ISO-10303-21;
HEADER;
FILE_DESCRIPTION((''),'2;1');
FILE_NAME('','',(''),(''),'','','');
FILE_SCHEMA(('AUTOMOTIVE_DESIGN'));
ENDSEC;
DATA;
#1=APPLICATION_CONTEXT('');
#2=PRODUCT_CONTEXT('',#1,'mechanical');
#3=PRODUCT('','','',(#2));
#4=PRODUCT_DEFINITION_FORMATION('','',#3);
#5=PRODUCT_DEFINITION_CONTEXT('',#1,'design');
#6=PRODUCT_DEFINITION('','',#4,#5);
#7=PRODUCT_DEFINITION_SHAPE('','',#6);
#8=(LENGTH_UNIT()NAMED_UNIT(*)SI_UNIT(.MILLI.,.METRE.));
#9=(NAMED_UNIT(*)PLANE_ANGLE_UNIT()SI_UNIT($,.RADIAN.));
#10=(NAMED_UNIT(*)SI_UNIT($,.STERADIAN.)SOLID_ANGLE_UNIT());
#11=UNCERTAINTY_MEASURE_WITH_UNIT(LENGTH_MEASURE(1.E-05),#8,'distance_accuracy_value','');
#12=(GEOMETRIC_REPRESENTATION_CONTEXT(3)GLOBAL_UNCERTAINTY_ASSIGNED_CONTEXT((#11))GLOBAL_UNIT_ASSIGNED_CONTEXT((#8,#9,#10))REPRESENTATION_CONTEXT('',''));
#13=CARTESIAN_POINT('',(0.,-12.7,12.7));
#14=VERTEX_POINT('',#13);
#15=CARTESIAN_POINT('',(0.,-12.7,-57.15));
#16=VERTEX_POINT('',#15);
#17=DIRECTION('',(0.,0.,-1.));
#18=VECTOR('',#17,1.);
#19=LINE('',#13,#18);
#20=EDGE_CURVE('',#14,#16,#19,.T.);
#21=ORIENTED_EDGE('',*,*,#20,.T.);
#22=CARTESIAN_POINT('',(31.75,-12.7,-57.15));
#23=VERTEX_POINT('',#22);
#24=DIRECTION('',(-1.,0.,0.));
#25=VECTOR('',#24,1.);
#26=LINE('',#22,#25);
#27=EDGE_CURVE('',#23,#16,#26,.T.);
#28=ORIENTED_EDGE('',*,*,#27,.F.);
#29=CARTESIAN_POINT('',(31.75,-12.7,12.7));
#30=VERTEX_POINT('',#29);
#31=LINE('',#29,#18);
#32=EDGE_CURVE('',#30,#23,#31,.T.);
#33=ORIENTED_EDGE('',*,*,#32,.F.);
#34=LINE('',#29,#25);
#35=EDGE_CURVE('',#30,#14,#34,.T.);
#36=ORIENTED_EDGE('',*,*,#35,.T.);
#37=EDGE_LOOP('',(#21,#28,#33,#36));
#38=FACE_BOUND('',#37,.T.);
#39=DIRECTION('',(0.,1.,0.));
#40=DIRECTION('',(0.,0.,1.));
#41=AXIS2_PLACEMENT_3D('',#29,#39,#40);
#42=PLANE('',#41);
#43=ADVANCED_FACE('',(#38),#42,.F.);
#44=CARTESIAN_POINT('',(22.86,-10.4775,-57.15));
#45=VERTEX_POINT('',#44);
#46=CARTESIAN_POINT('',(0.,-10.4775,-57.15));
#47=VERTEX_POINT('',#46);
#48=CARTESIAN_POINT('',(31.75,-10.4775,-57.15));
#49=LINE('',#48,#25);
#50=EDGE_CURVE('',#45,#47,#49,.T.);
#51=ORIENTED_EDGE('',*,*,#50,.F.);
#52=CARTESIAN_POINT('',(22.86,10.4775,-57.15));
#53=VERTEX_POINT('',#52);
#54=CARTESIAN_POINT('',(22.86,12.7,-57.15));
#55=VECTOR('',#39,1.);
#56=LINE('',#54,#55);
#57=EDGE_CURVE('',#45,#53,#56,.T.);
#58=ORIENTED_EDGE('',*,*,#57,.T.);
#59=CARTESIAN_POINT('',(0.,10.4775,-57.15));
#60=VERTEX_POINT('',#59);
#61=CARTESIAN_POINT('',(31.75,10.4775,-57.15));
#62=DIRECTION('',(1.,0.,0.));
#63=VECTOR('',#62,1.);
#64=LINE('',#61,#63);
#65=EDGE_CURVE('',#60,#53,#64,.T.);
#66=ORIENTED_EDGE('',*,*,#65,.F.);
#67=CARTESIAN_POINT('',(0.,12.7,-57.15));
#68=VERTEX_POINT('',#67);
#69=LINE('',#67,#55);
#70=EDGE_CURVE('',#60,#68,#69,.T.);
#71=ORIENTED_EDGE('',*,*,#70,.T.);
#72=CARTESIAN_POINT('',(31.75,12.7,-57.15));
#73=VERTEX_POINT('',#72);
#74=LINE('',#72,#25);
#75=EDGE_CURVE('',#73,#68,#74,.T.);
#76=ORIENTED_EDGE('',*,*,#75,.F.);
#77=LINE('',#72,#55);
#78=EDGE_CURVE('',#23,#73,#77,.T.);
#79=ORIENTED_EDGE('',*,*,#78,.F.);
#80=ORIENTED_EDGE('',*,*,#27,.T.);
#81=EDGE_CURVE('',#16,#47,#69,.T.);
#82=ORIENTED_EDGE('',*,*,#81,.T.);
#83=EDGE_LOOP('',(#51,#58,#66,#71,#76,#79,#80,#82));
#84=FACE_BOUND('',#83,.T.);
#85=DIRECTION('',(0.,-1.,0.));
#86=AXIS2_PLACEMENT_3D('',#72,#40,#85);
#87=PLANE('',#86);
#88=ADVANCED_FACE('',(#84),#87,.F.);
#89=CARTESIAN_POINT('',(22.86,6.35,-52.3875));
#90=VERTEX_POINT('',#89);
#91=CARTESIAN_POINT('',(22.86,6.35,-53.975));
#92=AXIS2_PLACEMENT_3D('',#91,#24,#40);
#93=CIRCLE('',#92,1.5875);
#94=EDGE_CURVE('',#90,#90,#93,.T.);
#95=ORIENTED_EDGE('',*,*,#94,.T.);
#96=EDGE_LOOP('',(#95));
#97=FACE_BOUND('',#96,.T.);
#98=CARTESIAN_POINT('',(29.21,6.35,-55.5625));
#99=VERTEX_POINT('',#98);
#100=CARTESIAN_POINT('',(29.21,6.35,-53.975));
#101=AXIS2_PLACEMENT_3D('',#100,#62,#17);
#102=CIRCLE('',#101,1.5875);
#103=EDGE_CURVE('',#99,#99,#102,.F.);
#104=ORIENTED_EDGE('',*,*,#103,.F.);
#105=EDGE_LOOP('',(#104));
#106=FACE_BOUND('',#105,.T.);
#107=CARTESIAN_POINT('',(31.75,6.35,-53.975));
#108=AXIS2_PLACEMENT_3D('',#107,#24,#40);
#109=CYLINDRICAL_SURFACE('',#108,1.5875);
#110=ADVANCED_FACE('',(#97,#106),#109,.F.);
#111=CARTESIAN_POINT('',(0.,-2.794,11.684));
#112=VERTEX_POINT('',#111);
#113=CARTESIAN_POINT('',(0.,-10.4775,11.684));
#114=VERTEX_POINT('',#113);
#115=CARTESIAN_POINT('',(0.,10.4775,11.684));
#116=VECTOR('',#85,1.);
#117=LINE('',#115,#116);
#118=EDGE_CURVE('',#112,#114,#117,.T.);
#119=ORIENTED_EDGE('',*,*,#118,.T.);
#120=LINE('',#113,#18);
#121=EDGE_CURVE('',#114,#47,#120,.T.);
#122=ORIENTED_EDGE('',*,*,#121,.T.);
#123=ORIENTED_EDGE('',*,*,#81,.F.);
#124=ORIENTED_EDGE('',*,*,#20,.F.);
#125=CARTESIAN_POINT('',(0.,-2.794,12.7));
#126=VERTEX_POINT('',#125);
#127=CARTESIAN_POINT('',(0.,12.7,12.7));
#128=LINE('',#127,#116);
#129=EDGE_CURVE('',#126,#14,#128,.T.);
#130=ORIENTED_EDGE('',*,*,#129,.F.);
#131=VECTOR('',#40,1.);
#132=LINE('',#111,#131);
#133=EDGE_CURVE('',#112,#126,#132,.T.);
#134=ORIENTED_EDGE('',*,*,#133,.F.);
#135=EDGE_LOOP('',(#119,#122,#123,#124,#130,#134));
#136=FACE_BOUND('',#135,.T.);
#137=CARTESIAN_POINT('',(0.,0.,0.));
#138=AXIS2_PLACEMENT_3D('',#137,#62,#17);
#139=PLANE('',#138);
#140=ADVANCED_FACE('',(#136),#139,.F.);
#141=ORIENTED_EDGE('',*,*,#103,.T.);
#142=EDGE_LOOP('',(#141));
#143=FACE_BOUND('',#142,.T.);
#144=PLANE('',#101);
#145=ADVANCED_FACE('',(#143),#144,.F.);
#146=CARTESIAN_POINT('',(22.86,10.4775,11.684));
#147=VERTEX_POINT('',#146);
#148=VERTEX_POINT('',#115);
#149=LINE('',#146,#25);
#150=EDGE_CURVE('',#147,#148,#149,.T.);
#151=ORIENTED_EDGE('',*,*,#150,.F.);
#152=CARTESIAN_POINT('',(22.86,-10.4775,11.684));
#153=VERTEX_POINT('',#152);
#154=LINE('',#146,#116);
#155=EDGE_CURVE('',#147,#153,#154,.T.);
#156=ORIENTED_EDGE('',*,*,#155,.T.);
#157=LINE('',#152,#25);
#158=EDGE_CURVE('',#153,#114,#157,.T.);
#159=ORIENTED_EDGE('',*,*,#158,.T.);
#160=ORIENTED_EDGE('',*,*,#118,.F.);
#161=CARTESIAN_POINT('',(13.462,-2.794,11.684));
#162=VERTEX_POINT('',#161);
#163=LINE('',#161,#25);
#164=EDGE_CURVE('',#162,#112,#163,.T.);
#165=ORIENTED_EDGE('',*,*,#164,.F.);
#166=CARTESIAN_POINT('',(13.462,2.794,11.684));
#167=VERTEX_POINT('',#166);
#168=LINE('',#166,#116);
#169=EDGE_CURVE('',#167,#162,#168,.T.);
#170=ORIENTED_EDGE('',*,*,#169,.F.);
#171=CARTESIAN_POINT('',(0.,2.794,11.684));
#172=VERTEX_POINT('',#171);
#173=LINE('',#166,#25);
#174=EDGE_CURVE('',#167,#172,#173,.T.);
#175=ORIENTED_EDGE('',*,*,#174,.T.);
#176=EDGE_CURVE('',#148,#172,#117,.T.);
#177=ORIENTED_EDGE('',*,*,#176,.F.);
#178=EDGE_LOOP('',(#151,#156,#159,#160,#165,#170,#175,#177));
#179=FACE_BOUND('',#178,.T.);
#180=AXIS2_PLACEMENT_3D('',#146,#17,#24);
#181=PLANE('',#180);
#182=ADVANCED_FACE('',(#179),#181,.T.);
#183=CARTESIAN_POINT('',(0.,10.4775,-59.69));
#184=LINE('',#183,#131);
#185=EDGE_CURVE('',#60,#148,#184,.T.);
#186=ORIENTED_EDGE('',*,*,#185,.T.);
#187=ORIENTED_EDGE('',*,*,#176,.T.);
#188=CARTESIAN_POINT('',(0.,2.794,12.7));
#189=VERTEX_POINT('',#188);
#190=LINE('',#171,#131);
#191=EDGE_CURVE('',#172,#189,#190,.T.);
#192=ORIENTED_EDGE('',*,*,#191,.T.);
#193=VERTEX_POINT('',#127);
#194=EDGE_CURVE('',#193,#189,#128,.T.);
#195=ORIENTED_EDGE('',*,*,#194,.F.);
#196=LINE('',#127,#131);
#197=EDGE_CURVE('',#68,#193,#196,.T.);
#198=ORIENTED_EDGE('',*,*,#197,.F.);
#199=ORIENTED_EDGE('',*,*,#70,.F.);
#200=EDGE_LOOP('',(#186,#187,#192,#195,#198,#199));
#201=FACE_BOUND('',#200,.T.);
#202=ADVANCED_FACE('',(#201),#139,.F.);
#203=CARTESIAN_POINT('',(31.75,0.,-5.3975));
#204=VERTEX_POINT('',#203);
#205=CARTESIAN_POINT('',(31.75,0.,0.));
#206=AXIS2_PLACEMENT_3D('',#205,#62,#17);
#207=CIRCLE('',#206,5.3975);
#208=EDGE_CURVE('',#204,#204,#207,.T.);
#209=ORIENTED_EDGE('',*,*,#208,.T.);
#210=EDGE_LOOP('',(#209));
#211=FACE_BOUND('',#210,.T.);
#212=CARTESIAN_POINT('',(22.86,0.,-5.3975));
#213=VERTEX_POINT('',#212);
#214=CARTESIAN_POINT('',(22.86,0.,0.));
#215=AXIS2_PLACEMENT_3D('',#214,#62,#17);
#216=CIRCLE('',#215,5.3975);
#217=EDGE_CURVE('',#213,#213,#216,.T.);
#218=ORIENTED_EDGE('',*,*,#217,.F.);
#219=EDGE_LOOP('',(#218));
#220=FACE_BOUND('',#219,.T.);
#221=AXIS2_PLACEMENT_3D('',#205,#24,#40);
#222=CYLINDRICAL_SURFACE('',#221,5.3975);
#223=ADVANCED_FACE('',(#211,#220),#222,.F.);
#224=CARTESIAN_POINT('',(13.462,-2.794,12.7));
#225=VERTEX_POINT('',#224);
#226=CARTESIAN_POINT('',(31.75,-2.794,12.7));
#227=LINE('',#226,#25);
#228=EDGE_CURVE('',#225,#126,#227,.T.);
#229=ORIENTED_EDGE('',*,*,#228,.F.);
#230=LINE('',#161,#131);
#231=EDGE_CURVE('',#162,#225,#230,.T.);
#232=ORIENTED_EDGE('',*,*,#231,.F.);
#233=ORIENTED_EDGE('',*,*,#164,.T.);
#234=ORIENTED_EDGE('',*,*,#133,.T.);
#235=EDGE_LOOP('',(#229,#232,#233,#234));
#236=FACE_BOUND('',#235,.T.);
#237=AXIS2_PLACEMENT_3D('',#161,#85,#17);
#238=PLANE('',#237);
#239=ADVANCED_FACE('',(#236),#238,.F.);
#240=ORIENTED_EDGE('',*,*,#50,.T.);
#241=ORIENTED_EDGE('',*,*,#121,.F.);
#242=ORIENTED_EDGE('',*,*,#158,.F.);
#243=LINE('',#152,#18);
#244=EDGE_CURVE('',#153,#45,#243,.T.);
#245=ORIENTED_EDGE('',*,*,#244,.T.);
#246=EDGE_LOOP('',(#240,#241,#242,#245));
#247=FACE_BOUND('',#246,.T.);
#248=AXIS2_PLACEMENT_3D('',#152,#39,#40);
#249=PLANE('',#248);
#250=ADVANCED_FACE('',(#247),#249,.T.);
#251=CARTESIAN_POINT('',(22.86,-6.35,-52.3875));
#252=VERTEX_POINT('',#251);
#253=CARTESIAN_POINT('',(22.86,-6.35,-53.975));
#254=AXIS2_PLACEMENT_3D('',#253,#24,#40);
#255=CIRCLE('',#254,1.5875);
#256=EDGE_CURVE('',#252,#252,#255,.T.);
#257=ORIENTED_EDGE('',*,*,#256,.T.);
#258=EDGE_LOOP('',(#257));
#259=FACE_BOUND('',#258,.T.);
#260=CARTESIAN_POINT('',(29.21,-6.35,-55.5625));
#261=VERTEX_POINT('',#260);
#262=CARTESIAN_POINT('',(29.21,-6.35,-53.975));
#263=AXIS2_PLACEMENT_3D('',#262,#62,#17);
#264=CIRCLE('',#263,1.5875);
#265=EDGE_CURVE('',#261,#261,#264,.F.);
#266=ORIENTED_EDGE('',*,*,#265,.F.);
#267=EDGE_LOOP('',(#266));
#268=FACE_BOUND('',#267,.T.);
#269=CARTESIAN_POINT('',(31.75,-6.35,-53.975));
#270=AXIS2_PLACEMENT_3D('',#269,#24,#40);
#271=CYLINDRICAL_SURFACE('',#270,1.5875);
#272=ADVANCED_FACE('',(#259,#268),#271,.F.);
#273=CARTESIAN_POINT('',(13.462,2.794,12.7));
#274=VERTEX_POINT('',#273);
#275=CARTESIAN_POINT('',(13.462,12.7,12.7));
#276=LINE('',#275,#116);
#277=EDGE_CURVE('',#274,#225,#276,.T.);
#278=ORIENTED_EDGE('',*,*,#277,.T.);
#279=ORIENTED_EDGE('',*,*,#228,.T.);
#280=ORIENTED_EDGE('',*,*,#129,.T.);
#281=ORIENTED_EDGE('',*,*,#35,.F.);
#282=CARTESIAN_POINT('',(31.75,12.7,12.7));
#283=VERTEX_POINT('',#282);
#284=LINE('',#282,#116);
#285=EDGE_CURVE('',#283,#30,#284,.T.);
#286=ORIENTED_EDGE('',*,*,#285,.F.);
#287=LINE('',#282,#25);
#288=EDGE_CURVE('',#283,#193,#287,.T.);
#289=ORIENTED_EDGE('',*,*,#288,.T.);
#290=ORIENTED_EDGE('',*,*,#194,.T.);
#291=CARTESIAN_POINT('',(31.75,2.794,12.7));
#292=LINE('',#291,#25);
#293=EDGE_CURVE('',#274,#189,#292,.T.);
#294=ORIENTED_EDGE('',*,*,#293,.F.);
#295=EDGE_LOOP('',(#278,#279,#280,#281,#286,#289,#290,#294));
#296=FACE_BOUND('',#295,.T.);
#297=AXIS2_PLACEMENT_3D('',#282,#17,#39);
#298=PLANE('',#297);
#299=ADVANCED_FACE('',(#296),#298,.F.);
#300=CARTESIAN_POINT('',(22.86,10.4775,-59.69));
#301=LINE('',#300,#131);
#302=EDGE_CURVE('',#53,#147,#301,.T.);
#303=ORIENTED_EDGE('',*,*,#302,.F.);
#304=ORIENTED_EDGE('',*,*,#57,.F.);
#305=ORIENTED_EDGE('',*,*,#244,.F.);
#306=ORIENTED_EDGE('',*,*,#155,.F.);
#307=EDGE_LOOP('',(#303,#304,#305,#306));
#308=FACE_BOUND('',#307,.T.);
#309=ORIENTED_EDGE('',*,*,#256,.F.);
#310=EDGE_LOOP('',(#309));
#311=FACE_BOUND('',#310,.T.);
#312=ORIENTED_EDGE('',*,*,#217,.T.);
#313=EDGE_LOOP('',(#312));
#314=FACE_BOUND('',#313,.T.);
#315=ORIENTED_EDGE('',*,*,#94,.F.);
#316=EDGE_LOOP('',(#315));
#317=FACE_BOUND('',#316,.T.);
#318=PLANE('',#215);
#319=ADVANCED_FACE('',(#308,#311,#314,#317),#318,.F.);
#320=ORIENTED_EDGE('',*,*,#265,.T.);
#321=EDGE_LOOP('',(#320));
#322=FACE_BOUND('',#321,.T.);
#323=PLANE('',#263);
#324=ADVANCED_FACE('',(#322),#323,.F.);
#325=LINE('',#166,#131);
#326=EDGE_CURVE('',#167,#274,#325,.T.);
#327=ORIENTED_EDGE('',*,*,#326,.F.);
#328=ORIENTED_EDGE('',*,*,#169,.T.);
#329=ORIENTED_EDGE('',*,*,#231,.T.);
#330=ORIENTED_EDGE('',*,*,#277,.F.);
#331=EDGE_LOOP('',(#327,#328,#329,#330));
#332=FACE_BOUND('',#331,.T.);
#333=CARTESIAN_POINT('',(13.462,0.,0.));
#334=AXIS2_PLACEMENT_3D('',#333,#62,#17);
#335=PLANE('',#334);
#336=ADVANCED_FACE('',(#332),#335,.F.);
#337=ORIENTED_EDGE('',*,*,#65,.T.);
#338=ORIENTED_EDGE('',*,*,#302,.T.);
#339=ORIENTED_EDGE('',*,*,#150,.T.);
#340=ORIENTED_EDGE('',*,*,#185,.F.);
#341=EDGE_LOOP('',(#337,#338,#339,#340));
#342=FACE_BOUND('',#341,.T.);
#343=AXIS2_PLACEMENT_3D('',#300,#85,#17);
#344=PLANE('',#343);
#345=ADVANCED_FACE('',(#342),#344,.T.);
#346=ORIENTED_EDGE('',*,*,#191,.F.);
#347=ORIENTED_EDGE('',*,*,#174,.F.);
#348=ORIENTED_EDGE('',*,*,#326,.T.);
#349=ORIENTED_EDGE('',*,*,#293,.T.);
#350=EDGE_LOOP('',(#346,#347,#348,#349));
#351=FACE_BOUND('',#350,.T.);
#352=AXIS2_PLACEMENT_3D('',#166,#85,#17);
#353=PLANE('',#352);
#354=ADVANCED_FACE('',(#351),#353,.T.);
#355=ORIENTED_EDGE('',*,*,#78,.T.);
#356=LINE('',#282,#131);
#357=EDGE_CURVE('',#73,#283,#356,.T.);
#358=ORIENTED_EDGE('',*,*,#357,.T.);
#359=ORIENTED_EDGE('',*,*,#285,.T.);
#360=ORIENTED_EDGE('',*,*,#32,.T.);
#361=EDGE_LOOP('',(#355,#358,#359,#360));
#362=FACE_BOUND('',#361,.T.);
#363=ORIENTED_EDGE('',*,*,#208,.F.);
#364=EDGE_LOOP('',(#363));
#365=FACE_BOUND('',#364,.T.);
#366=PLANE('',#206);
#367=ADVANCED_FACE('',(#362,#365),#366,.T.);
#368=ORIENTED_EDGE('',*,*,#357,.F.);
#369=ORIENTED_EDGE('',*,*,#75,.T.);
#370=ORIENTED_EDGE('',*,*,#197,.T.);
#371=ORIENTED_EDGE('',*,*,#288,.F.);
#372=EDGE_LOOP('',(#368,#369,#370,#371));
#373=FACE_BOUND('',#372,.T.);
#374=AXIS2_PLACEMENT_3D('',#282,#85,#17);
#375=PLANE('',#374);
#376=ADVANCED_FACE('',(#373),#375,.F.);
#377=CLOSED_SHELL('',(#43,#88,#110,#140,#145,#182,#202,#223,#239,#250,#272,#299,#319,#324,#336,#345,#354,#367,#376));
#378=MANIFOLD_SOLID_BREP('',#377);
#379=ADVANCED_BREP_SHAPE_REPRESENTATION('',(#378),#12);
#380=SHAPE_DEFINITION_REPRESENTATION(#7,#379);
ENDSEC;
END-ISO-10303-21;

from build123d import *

# Parameters (mm, degrees)
SKETCH1_W           = 69.85
SKETCH1_H           = 25.4
SKETCH1_R           = 5.3975
BOSS_EXTRUDE1_DEPTH = 31.75
SKETCH2_W           = 71.374
SKETCH2_H           = 20.955
CUT_EXTRUDE1_DEPTH  = 22.86
SKETCH2_3_W         = 5.08
SKETCH2_3_H         = 5.588
CUT_EXTRUDE2_DEPTH  = 13.462
SKETCH3_R           = 1.5875
CUT_EXTRUDE3_DEPTH  = 63.848962601
BOSS_EXTRUDE2_START = -2.54
SKETCH8_R           = 1.5875
BOSS_EXTRUDE2_DEPTH = 2.54


with BuildPart() as part:
    # Sketch1 → Boss-Extrude1 (new body)
    with BuildSketch(Plane(origin=(0, 0, 0), x_dir=(0, 0, -1), z_dir=(1, 0, 0))):
        with Locations((22.225, 0)):
            Rectangle(SKETCH1_W, SKETCH1_H)
        Circle(SKETCH1_R, mode=Mode.SUBTRACT)
    extrude(amount=BOSS_EXTRUDE1_DEPTH)

    # Sketch2 → Cut-Extrude1 (cut)
    with BuildSketch(Plane.ZY):
        with Locations((-24.003, 0)):
            Rectangle(SKETCH2_W, SKETCH2_H)
    extrude(amount=-CUT_EXTRUDE1_DEPTH, mode=Mode.SUBTRACT)

    # Sketch2<3> → Cut-Extrude2 (cut)
    with BuildSketch(Plane.ZY):
        with Locations((14.224, 0)):
            Rectangle(SKETCH2_3_W, SKETCH2_3_H)
    extrude(amount=-CUT_EXTRUDE2_DEPTH, mode=Mode.SUBTRACT)

    # Sketch3 → Cut-Extrude3 (cut, through all)
    with BuildSketch(Plane.ZY.offset(-22.86)):
        with Locations((-53.975, 6.35)):
            Circle(SKETCH3_R)
        with Locations((-53.975, -6.35)):
            Circle(SKETCH3_R)
    extrude(amount=-CUT_EXTRUDE3_DEPTH, mode=Mode.SUBTRACT)

    # Sketch8 → Boss-Extrude2 (add)
    with BuildSketch(Plane(origin=(31.75, 0, 0), x_dir=(0, 0, -1), z_dir=(1, 0, 0)).offset(BOSS_EXTRUDE2_START)):
        with Locations((53.975, -6.35)):
            Circle(SKETCH8_R)
        with Locations((53.975, 6.35)):
            Circle(SKETCH8_R)
    extrude(amount=BOSS_EXTRUDE2_DEPTH)


solid = part.part
